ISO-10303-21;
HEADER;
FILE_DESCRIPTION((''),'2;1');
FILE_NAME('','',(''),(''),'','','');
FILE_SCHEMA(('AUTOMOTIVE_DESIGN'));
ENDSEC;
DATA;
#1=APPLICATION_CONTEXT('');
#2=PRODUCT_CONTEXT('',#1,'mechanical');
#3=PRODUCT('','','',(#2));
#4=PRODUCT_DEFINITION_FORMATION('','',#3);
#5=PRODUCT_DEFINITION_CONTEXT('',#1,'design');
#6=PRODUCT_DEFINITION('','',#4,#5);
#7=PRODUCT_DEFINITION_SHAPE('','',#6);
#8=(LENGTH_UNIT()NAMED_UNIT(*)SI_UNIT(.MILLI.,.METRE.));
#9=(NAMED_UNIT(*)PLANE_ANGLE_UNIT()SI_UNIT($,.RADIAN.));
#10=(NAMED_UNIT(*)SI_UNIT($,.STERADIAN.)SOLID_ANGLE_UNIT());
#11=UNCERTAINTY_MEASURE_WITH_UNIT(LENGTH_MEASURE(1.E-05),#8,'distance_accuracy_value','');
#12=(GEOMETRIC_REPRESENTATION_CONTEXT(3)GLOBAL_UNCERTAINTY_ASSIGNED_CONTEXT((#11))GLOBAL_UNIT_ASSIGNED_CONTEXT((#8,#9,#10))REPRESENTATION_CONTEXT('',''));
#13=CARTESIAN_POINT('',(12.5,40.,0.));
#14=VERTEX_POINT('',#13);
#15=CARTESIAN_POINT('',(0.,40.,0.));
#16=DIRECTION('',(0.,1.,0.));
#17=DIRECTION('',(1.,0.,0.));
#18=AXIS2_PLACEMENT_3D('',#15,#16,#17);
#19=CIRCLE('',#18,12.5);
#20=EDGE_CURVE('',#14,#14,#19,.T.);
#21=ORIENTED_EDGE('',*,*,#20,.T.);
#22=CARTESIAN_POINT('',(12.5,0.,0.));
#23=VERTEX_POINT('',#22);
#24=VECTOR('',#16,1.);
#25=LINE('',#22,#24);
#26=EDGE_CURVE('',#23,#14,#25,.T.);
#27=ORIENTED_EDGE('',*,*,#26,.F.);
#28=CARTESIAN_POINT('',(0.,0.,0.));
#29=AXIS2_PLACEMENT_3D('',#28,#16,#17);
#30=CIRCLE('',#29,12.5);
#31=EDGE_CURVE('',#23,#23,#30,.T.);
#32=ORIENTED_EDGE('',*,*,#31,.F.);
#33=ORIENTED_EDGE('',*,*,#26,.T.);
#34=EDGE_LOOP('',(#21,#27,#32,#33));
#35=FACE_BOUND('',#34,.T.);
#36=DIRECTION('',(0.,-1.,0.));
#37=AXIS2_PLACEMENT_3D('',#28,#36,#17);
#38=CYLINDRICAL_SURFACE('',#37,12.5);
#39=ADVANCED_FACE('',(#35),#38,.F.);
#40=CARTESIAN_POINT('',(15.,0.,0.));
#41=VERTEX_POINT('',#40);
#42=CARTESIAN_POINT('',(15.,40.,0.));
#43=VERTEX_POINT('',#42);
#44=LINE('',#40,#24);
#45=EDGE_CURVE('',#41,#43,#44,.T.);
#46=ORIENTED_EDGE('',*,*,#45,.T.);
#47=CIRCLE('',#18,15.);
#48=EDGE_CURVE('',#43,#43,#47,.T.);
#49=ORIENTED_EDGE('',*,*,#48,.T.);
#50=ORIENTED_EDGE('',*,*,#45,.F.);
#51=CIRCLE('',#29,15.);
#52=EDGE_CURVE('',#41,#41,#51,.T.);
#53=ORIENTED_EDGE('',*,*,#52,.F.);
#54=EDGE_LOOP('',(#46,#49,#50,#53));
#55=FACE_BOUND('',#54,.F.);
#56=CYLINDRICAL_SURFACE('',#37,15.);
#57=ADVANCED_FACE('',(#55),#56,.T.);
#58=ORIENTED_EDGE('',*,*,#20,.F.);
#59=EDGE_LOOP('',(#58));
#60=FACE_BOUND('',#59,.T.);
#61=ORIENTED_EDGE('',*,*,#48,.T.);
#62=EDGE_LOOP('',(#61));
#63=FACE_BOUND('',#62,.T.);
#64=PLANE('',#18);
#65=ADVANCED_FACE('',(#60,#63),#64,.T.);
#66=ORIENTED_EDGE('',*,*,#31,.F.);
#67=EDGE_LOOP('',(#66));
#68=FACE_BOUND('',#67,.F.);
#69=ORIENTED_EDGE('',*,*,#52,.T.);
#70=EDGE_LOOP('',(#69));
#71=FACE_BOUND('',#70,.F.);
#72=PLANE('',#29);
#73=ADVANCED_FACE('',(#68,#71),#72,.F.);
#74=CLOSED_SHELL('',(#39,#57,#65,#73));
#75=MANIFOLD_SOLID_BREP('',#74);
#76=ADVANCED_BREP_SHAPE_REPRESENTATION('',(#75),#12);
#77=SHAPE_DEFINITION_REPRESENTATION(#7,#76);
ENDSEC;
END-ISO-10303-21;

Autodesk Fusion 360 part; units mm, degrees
sketch "Sketch1" plane through (0, 0, 0) normal (0, 1, 0) x (1, 0, 0)
  circle A0 centre (0, 0) radius 12.5
  circle A1 centre (0, 0) radius 15
  dimension "d1" = 25
  dimension "d2" = 30
extrude "Extrude1" add sketch "Sketch1" along normal blind 40
